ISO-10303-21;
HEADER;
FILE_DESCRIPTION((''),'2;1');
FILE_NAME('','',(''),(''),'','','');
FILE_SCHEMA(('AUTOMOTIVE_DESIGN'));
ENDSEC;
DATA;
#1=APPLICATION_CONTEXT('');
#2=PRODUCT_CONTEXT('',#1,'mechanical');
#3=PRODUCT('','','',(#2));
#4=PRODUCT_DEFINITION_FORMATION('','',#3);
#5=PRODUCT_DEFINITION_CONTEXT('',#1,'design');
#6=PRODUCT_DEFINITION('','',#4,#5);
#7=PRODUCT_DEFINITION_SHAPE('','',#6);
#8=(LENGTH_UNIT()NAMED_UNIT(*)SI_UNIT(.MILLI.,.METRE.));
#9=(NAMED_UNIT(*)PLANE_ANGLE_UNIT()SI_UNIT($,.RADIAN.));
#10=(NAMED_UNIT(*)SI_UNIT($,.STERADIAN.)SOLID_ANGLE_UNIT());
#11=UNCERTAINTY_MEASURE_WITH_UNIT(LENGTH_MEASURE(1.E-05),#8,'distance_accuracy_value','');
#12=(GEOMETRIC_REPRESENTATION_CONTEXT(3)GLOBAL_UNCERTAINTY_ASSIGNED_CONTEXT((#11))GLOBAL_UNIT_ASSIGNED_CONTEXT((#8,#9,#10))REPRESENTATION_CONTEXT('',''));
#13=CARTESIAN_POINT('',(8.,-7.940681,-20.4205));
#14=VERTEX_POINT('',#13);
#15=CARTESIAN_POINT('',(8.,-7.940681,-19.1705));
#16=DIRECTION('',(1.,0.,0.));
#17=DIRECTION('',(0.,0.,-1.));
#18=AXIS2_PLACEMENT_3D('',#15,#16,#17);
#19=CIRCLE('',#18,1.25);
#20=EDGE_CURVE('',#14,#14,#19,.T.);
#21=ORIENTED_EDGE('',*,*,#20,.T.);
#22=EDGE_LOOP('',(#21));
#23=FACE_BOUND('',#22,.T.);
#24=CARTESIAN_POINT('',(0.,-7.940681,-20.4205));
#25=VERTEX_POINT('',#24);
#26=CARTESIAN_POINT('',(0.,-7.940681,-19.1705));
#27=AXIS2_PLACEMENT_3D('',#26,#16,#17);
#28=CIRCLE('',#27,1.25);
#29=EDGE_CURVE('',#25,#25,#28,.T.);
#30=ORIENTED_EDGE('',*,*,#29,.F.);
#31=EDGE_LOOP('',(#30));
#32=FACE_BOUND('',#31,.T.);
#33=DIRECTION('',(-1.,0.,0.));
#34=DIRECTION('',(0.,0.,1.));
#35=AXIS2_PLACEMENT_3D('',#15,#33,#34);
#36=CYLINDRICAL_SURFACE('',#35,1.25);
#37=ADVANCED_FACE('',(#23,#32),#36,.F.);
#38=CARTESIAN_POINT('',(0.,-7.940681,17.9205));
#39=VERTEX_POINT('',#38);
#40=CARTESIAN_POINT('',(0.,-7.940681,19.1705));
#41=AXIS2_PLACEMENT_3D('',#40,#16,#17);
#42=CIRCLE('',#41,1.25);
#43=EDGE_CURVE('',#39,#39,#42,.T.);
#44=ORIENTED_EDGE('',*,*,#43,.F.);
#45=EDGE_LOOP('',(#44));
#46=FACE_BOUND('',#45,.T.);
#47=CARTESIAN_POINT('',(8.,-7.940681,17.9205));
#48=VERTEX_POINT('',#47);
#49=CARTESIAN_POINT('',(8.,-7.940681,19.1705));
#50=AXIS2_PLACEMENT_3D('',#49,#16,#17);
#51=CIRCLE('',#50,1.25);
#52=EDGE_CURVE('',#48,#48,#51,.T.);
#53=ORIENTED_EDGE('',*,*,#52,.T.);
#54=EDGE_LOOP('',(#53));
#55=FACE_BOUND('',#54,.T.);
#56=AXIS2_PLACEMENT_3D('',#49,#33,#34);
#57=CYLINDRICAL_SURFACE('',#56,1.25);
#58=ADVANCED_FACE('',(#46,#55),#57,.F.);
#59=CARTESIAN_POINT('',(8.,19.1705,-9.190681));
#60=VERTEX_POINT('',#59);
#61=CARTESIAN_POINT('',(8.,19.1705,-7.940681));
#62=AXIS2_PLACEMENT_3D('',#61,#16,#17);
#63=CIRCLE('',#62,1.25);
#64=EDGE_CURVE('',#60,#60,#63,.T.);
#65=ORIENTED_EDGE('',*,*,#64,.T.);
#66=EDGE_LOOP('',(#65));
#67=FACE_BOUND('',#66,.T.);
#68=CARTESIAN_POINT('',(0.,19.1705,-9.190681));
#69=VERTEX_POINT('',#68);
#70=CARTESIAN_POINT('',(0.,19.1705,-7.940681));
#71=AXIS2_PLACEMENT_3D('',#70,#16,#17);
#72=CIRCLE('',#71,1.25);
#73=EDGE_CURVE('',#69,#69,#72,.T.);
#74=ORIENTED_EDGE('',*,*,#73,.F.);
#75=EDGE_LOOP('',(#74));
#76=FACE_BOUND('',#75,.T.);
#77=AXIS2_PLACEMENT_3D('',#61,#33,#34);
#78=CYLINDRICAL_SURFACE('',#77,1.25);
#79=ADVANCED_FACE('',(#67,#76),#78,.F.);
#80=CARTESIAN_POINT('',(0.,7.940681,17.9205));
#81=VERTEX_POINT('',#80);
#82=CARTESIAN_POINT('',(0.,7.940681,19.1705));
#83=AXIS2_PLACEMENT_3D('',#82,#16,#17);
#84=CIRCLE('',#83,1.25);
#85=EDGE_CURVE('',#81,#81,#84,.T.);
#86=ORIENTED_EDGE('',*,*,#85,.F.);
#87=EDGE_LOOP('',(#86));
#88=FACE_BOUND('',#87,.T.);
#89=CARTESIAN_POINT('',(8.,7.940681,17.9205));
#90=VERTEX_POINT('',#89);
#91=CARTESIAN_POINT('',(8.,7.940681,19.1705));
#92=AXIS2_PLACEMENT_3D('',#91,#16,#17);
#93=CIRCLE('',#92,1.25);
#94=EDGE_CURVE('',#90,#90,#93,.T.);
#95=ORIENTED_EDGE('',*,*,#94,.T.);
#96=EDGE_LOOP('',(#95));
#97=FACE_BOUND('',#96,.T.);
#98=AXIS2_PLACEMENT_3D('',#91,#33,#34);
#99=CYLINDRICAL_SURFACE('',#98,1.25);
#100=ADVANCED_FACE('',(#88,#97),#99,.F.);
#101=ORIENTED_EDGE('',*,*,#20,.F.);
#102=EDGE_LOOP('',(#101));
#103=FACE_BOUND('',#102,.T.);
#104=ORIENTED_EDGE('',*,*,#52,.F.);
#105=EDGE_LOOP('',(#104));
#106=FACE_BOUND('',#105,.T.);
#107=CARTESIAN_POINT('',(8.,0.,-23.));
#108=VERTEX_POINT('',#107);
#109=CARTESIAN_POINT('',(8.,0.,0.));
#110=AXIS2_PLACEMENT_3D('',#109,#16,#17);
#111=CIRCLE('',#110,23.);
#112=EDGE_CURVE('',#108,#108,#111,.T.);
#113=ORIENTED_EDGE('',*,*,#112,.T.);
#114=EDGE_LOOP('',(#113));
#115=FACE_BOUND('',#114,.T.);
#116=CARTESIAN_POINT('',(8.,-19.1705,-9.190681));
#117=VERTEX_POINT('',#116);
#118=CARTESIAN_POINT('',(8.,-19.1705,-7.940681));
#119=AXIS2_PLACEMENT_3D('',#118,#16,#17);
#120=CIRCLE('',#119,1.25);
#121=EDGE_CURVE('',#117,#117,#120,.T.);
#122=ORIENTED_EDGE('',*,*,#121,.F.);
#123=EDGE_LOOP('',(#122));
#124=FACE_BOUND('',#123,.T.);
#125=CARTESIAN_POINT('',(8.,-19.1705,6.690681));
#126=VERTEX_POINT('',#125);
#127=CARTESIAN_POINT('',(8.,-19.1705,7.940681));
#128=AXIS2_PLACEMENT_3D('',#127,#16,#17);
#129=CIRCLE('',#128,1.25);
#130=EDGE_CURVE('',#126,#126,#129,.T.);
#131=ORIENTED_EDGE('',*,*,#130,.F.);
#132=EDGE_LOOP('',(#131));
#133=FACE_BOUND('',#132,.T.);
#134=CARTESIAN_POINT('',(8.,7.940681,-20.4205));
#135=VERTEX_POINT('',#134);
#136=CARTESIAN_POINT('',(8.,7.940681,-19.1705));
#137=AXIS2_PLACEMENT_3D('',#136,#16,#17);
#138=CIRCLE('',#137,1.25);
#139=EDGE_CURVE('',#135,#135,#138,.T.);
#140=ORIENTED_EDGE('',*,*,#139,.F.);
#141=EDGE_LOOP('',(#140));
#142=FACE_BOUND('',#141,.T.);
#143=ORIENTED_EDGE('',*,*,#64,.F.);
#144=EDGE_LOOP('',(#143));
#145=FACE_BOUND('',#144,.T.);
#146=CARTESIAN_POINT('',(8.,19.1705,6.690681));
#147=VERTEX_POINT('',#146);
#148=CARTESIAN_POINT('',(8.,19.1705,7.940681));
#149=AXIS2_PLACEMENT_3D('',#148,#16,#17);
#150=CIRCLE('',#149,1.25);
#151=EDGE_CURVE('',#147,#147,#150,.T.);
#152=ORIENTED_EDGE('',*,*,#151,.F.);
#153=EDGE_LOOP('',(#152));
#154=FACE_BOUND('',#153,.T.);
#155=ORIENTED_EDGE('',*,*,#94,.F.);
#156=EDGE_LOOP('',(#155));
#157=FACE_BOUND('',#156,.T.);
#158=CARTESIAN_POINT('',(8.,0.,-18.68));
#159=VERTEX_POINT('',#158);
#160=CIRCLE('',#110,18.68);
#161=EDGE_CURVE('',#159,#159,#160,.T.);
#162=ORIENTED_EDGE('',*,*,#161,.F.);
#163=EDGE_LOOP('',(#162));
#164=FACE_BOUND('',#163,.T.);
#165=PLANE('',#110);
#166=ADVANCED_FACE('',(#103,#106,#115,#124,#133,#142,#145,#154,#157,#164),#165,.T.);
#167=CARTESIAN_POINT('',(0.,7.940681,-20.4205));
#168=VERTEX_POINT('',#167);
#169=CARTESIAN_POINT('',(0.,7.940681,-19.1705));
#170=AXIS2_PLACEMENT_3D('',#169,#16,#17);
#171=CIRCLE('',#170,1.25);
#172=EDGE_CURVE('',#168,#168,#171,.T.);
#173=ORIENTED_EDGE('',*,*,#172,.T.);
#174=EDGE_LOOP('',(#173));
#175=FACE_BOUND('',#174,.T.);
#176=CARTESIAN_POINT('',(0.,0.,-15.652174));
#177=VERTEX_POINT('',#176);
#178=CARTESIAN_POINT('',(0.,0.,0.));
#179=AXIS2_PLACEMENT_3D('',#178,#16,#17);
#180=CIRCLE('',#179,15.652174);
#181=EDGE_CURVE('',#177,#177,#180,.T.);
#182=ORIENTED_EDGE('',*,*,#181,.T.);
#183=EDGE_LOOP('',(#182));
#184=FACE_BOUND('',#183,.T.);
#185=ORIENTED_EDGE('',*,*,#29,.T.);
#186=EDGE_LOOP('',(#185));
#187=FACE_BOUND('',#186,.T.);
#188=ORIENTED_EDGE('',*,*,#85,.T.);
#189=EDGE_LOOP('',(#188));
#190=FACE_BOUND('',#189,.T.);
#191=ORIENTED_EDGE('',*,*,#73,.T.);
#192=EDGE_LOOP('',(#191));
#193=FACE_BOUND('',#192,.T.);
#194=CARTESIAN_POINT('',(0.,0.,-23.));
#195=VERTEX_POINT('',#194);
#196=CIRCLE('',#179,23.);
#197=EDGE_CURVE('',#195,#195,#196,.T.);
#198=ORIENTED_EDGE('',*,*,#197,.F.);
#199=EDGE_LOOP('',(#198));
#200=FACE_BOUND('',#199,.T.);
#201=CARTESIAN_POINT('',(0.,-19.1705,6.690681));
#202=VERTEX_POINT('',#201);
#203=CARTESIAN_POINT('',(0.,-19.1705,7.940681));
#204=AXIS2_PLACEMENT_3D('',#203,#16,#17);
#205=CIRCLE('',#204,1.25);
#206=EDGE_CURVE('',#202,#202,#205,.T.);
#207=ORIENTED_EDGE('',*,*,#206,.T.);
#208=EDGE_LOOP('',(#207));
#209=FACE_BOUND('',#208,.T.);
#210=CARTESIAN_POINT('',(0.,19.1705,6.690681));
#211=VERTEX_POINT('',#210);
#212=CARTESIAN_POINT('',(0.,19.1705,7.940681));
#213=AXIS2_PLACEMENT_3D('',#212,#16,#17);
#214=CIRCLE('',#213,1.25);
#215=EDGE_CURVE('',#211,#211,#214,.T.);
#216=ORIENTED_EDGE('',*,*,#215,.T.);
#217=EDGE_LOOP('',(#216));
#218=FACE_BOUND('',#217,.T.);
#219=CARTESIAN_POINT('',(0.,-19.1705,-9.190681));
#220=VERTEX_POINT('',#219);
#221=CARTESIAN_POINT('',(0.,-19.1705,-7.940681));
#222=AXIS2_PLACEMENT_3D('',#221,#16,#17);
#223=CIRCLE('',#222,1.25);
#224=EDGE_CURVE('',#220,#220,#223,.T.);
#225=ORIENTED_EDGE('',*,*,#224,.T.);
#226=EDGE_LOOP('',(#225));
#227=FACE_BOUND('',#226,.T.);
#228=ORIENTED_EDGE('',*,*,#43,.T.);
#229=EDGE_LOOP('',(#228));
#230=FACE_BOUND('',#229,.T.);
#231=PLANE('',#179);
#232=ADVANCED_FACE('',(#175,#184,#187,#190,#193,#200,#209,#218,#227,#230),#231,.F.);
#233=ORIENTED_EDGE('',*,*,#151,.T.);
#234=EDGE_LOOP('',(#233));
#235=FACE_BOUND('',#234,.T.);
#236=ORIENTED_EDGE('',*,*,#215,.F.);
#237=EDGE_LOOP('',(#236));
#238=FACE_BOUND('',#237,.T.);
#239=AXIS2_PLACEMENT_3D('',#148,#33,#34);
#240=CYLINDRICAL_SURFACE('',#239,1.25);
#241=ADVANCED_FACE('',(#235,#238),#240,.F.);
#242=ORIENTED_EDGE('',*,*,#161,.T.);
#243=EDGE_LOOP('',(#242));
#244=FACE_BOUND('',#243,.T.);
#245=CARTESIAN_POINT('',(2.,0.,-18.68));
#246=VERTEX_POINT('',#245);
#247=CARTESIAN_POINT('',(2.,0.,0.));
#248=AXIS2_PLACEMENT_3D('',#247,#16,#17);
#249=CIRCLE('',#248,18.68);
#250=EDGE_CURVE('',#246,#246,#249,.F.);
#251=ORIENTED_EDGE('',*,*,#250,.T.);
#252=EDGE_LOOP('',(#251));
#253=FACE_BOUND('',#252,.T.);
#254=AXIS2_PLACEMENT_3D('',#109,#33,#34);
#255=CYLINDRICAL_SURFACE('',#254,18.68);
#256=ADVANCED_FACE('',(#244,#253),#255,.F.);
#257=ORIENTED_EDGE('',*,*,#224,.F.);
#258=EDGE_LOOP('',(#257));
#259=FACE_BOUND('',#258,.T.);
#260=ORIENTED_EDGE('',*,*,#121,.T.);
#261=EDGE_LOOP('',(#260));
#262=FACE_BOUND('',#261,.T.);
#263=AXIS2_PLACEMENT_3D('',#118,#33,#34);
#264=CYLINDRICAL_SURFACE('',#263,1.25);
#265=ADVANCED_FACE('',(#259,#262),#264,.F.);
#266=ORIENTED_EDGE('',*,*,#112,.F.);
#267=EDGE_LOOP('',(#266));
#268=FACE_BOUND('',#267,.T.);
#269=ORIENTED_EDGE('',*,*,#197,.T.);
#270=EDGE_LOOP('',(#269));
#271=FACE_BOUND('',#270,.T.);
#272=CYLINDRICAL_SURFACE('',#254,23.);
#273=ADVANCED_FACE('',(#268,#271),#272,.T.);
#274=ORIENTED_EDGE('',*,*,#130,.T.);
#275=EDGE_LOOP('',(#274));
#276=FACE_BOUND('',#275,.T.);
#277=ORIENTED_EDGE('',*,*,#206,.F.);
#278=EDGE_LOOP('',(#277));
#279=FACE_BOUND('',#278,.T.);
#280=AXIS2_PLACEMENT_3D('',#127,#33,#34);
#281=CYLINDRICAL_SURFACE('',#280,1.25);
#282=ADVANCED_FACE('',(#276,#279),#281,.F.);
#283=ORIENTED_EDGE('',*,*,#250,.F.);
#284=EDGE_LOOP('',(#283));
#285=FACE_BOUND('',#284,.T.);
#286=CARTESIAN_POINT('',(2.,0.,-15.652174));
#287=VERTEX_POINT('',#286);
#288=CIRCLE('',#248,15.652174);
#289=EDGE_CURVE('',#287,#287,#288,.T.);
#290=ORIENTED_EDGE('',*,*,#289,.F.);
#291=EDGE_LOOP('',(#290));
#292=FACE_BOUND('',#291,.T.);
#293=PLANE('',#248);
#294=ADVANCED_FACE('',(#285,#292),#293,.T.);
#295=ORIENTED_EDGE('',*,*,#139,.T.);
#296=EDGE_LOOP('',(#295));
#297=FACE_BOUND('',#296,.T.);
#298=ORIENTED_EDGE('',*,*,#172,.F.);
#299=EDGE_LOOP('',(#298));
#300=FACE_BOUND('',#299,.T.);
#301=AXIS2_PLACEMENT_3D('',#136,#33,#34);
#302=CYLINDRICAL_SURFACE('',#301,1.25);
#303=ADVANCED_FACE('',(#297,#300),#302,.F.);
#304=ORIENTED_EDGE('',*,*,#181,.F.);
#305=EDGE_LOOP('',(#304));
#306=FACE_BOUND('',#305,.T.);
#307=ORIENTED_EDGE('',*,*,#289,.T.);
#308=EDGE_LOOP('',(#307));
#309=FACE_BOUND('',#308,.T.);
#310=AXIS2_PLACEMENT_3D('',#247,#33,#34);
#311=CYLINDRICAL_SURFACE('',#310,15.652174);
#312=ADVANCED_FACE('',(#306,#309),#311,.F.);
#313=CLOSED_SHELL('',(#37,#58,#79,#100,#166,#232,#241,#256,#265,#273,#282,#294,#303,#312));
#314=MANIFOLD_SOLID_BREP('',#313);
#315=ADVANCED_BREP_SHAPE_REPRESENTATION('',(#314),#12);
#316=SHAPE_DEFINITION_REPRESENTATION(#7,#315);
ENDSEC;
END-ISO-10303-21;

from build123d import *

# Parameters (mm, degrees)
SKETCH_1_R      = 18.68
SKETCH_1_R_2    = 15.652173913
EXTRUDE_2_DEPTH = 2
SKETCH_1_4_R    = 23
SKETCH_1_4_R_2  = 1.25
SKETCH_1_4_R_3  = 18.68
EXTRUDE_3_DEPTH = 8


with BuildPart() as part:
    # 草图1 → 凸台-拉伸2 (new body)
    with BuildSketch(Plane(origin=(0, 0, 0), x_dir=(0, 0, -1), z_dir=(1, 0, 0))):
        Circle(SKETCH_1_R)
        Circle(SKETCH_1_R_2, mode=Mode.SUBTRACT)
    extrude(amount=EXTRUDE_2_DEPTH)

    # 草图1<4> → 凸台-拉伸3 (add)
    with BuildSketch(Plane(origin=(0, 0, 0), x_dir=(0, 0, -1), z_dir=(1, 0, 0))):
        Circle(SKETCH_1_4_R)
        with Locations((-7.940681222, 19.1705003)):
            Circle(SKETCH_1_4_R_2, mode=Mode.SUBTRACT)
        with Locations((-19.1705003, 7.940681222)):
            Circle(SKETCH_1_4_R_2, mode=Mode.SUBTRACT)
        with Locations((-19.1705003, -7.940681222)):
            Circle(SKETCH_1_4_R_2, mode=Mode.SUBTRACT)
        with Locations((-7.940681222, -19.1705003)):
            Circle(SKETCH_1_4_R_2, mode=Mode.SUBTRACT)
        with Locations((7.940681222, -19.1705003)):
            Circle(SKETCH_1_4_R_2, mode=Mode.SUBTRACT)
        with Locations((19.1705003, -7.940681222)):
            Circle(SKETCH_1_4_R_2, mode=Mode.SUBTRACT)
        with Locations((19.1705003, 7.940681222)):
            Circle(SKETCH_1_4_R_2, mode=Mode.SUBTRACT)
        with Locations((7.940681222, 19.1705003)):
            Circle(SKETCH_1_4_R_2, mode=Mode.SUBTRACT)
        Circle(SKETCH_1_4_R_3, mode=Mode.SUBTRACT)
    extrude(amount=EXTRUDE_3_DEPTH)


solid = part.part
